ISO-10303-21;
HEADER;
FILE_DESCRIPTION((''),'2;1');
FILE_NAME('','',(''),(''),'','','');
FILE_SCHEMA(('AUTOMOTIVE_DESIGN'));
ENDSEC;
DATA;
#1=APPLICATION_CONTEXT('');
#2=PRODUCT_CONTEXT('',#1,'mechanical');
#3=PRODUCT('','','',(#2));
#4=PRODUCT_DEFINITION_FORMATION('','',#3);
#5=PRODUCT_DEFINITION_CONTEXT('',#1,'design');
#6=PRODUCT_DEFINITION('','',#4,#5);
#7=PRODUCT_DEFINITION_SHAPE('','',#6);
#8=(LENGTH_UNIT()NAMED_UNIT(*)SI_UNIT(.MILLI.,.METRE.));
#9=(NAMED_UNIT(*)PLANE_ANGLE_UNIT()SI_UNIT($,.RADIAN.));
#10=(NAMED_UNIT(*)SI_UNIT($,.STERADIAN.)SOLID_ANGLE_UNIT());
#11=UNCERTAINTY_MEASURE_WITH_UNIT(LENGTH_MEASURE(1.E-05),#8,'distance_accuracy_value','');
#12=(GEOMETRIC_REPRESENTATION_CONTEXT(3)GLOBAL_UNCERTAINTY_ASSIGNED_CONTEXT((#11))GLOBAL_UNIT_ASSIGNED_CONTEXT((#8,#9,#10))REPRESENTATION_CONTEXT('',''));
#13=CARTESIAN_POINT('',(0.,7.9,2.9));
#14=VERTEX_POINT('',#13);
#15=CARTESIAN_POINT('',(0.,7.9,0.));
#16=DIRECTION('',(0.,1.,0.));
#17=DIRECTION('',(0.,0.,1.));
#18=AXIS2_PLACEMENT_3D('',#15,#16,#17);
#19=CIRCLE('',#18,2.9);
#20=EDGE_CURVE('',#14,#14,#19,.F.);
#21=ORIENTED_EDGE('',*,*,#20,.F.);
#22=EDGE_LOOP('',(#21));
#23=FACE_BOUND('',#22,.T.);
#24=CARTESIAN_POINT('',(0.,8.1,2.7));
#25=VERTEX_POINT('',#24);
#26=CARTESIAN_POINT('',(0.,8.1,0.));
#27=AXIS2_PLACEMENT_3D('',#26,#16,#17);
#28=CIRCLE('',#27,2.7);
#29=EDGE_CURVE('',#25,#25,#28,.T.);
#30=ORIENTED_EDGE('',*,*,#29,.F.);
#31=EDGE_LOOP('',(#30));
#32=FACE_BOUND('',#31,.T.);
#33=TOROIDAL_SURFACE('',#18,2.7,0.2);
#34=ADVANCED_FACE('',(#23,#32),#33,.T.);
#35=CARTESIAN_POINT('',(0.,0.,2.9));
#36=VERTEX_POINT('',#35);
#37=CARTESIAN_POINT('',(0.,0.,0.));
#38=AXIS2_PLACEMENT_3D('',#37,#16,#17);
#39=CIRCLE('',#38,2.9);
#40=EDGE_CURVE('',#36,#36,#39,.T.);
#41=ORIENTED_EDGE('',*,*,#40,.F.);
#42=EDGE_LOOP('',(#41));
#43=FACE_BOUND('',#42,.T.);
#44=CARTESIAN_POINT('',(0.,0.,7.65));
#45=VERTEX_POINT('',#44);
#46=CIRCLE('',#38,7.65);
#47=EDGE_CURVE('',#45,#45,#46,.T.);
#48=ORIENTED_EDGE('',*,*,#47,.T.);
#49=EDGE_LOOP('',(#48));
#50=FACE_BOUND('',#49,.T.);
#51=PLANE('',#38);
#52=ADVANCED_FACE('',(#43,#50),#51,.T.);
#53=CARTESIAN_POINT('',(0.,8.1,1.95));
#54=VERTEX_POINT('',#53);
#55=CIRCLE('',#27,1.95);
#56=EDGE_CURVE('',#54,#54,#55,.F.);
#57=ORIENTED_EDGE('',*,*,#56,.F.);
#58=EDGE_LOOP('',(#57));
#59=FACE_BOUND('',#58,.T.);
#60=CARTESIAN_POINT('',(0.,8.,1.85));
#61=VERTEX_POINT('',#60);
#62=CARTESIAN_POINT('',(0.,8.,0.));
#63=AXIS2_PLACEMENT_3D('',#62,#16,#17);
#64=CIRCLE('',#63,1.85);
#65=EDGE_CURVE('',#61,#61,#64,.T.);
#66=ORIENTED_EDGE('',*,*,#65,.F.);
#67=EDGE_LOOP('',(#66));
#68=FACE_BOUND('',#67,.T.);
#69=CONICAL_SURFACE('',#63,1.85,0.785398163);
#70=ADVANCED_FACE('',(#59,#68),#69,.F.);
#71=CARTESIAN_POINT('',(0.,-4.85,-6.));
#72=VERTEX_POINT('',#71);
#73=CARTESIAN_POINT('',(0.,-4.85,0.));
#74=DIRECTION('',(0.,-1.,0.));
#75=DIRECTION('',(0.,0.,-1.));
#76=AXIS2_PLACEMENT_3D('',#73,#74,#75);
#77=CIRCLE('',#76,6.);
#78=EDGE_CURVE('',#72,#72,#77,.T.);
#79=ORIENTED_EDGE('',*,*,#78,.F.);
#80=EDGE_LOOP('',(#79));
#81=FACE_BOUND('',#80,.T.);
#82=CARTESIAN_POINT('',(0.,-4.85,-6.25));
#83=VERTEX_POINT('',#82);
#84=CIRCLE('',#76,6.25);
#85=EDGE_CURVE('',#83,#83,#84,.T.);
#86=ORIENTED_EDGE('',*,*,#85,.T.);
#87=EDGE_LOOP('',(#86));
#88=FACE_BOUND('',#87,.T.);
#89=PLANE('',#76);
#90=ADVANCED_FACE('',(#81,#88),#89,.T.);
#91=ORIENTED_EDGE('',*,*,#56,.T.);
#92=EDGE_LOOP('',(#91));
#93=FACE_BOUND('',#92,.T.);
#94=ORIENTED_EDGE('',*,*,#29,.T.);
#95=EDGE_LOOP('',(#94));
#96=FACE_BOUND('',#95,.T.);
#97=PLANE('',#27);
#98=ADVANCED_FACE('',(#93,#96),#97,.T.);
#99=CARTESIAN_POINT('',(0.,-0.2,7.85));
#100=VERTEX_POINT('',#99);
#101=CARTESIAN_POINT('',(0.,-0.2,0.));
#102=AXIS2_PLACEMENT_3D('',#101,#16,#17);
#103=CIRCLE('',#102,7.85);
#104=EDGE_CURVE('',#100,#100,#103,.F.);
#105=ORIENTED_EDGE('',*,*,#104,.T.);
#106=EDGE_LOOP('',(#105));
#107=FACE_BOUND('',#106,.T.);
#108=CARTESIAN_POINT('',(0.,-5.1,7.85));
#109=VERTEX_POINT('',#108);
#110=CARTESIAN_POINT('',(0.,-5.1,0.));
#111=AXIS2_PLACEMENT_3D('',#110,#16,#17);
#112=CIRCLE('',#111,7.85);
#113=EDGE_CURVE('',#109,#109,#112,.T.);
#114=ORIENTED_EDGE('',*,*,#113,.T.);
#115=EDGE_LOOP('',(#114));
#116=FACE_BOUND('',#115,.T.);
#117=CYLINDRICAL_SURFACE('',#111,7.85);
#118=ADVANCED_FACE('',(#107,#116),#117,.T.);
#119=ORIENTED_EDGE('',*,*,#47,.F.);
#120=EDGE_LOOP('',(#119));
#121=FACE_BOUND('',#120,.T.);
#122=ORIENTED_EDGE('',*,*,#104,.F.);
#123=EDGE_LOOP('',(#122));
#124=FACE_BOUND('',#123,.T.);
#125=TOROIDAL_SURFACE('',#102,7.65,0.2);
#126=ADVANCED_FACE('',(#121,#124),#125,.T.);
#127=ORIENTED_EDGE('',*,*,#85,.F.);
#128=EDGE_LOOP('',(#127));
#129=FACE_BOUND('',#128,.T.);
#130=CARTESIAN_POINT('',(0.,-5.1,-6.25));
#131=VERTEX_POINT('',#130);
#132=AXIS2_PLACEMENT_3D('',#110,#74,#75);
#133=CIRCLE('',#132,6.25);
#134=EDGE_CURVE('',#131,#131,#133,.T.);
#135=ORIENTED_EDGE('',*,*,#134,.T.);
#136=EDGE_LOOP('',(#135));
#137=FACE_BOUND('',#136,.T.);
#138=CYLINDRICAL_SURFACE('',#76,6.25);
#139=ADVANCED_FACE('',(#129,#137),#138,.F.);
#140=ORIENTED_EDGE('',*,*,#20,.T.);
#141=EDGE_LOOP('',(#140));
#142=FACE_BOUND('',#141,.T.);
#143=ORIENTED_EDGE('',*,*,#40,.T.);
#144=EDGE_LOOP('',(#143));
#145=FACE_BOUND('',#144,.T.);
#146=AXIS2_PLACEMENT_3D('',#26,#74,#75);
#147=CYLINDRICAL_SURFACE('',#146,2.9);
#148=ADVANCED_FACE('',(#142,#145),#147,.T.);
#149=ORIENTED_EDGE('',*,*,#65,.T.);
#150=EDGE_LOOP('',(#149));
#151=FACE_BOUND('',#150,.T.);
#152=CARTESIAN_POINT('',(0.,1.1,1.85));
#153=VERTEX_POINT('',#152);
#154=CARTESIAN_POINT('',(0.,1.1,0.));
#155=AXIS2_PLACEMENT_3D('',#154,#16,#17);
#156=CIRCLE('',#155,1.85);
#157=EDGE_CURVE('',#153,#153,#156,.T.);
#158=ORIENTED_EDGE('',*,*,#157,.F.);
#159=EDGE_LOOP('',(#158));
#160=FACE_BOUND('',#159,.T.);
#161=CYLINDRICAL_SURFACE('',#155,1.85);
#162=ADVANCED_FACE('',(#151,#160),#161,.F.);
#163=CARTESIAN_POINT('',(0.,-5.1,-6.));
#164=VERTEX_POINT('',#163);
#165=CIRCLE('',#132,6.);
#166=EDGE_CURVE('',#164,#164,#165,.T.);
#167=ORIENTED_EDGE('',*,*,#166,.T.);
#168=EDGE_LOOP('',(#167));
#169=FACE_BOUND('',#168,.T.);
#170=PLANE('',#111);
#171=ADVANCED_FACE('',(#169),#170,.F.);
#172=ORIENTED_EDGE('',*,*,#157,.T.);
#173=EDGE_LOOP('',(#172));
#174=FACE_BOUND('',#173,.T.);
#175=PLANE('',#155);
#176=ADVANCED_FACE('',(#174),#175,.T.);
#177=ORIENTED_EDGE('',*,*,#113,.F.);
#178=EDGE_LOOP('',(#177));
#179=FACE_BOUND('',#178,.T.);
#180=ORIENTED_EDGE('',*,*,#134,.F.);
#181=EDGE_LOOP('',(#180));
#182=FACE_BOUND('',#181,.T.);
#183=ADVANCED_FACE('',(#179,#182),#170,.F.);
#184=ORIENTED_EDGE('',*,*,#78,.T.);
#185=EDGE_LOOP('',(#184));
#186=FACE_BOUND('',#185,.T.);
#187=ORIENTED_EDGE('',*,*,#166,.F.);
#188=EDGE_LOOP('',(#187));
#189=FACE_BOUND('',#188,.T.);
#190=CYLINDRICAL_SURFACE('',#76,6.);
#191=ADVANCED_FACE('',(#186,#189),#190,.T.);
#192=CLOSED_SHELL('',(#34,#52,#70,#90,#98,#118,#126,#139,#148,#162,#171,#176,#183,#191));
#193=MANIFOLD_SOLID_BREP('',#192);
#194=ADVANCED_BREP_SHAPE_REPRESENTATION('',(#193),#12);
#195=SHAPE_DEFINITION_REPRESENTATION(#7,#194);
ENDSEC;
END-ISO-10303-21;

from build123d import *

# Parameters (mm, degrees)
SKETCH1_R           = 7.85
BOSS_EXTRUDE1_DEPTH = 5.1
SKETCH2_R           = 2.9
BOSS_EXTRUDE2_DEPTH = 8.1
SKETCH3_R           = 1.85
CUT_EXTRUDE1_DEPTH  = 7
CHAMFER1_SIZE       = 0.1
FILLET2_R           = 0.2
SKETCH4_R           = 6.25
SKETCH4_R_2         = 6
CUT_EXTRUDE2_DEPTH  = 0.25


with BuildPart() as part:
    # Sketch1 → Boss-Extrude1 (new body)
    with BuildSketch(Plane(origin=(0, 0, 0), x_dir=(1, 0, 0), z_dir=(0, 1, 0))):
        with Locations(Location((0, 0, 0), (0, 0, 270))):
            Circle(SKETCH1_R)
    extrude(amount=-BOSS_EXTRUDE1_DEPTH)

    # Sketch2 → Boss-Extrude2 (add)
    with BuildSketch(Plane(origin=(0, 0, 0), x_dir=(1, 0, 0), z_dir=(0, 1, 0))):
        with Locations(Location((0, 0, 0), (0, 0, 270))):
            Circle(SKETCH2_R)
    extrude(amount=BOSS_EXTRUDE2_DEPTH)

    # Sketch3 → Cut-Extrude1 (cut)
    with BuildSketch(Plane(origin=(0, 8.1, 0), x_dir=(1, 0, 0), z_dir=(0, 1, 0))):
        with Locations(Location((0, 0, 0), (0, 0, 270))):
            Circle(SKETCH3_R)
    extrude(amount=-CUT_EXTRUDE1_DEPTH, mode=Mode.SUBTRACT)

    # Chamfer1
    chamfer1_edges = [part.edges().sort_by_distance(p)[0] for p in [
        (0, 8.1, -1.85),
    ]]
    chamfer(chamfer1_edges, length=CHAMFER1_SIZE)

    # Fillet2
    fillet2_edges = [part.edges().sort_by_distance(p)[0] for p in [
        (0, 0, -7.85),
        (0, 8.1, -2.9),
    ]]
    fillet(fillet2_edges, radius=FILLET2_R)

    # Sketch4 → Cut-Extrude2 (cut)
    with BuildSketch(Plane.XZ.offset(5.1)):
        with Locations(Location((0, 0, 0), (0, 0, 270))):
            Circle(SKETCH4_R)
        with Locations(Location((0, 0, 0), (0, 0, 270))):
            Circle(SKETCH4_R_2, mode=Mode.SUBTRACT)
    extrude(amount=-CUT_EXTRUDE2_DEPTH, mode=Mode.SUBTRACT)


solid = part.part
